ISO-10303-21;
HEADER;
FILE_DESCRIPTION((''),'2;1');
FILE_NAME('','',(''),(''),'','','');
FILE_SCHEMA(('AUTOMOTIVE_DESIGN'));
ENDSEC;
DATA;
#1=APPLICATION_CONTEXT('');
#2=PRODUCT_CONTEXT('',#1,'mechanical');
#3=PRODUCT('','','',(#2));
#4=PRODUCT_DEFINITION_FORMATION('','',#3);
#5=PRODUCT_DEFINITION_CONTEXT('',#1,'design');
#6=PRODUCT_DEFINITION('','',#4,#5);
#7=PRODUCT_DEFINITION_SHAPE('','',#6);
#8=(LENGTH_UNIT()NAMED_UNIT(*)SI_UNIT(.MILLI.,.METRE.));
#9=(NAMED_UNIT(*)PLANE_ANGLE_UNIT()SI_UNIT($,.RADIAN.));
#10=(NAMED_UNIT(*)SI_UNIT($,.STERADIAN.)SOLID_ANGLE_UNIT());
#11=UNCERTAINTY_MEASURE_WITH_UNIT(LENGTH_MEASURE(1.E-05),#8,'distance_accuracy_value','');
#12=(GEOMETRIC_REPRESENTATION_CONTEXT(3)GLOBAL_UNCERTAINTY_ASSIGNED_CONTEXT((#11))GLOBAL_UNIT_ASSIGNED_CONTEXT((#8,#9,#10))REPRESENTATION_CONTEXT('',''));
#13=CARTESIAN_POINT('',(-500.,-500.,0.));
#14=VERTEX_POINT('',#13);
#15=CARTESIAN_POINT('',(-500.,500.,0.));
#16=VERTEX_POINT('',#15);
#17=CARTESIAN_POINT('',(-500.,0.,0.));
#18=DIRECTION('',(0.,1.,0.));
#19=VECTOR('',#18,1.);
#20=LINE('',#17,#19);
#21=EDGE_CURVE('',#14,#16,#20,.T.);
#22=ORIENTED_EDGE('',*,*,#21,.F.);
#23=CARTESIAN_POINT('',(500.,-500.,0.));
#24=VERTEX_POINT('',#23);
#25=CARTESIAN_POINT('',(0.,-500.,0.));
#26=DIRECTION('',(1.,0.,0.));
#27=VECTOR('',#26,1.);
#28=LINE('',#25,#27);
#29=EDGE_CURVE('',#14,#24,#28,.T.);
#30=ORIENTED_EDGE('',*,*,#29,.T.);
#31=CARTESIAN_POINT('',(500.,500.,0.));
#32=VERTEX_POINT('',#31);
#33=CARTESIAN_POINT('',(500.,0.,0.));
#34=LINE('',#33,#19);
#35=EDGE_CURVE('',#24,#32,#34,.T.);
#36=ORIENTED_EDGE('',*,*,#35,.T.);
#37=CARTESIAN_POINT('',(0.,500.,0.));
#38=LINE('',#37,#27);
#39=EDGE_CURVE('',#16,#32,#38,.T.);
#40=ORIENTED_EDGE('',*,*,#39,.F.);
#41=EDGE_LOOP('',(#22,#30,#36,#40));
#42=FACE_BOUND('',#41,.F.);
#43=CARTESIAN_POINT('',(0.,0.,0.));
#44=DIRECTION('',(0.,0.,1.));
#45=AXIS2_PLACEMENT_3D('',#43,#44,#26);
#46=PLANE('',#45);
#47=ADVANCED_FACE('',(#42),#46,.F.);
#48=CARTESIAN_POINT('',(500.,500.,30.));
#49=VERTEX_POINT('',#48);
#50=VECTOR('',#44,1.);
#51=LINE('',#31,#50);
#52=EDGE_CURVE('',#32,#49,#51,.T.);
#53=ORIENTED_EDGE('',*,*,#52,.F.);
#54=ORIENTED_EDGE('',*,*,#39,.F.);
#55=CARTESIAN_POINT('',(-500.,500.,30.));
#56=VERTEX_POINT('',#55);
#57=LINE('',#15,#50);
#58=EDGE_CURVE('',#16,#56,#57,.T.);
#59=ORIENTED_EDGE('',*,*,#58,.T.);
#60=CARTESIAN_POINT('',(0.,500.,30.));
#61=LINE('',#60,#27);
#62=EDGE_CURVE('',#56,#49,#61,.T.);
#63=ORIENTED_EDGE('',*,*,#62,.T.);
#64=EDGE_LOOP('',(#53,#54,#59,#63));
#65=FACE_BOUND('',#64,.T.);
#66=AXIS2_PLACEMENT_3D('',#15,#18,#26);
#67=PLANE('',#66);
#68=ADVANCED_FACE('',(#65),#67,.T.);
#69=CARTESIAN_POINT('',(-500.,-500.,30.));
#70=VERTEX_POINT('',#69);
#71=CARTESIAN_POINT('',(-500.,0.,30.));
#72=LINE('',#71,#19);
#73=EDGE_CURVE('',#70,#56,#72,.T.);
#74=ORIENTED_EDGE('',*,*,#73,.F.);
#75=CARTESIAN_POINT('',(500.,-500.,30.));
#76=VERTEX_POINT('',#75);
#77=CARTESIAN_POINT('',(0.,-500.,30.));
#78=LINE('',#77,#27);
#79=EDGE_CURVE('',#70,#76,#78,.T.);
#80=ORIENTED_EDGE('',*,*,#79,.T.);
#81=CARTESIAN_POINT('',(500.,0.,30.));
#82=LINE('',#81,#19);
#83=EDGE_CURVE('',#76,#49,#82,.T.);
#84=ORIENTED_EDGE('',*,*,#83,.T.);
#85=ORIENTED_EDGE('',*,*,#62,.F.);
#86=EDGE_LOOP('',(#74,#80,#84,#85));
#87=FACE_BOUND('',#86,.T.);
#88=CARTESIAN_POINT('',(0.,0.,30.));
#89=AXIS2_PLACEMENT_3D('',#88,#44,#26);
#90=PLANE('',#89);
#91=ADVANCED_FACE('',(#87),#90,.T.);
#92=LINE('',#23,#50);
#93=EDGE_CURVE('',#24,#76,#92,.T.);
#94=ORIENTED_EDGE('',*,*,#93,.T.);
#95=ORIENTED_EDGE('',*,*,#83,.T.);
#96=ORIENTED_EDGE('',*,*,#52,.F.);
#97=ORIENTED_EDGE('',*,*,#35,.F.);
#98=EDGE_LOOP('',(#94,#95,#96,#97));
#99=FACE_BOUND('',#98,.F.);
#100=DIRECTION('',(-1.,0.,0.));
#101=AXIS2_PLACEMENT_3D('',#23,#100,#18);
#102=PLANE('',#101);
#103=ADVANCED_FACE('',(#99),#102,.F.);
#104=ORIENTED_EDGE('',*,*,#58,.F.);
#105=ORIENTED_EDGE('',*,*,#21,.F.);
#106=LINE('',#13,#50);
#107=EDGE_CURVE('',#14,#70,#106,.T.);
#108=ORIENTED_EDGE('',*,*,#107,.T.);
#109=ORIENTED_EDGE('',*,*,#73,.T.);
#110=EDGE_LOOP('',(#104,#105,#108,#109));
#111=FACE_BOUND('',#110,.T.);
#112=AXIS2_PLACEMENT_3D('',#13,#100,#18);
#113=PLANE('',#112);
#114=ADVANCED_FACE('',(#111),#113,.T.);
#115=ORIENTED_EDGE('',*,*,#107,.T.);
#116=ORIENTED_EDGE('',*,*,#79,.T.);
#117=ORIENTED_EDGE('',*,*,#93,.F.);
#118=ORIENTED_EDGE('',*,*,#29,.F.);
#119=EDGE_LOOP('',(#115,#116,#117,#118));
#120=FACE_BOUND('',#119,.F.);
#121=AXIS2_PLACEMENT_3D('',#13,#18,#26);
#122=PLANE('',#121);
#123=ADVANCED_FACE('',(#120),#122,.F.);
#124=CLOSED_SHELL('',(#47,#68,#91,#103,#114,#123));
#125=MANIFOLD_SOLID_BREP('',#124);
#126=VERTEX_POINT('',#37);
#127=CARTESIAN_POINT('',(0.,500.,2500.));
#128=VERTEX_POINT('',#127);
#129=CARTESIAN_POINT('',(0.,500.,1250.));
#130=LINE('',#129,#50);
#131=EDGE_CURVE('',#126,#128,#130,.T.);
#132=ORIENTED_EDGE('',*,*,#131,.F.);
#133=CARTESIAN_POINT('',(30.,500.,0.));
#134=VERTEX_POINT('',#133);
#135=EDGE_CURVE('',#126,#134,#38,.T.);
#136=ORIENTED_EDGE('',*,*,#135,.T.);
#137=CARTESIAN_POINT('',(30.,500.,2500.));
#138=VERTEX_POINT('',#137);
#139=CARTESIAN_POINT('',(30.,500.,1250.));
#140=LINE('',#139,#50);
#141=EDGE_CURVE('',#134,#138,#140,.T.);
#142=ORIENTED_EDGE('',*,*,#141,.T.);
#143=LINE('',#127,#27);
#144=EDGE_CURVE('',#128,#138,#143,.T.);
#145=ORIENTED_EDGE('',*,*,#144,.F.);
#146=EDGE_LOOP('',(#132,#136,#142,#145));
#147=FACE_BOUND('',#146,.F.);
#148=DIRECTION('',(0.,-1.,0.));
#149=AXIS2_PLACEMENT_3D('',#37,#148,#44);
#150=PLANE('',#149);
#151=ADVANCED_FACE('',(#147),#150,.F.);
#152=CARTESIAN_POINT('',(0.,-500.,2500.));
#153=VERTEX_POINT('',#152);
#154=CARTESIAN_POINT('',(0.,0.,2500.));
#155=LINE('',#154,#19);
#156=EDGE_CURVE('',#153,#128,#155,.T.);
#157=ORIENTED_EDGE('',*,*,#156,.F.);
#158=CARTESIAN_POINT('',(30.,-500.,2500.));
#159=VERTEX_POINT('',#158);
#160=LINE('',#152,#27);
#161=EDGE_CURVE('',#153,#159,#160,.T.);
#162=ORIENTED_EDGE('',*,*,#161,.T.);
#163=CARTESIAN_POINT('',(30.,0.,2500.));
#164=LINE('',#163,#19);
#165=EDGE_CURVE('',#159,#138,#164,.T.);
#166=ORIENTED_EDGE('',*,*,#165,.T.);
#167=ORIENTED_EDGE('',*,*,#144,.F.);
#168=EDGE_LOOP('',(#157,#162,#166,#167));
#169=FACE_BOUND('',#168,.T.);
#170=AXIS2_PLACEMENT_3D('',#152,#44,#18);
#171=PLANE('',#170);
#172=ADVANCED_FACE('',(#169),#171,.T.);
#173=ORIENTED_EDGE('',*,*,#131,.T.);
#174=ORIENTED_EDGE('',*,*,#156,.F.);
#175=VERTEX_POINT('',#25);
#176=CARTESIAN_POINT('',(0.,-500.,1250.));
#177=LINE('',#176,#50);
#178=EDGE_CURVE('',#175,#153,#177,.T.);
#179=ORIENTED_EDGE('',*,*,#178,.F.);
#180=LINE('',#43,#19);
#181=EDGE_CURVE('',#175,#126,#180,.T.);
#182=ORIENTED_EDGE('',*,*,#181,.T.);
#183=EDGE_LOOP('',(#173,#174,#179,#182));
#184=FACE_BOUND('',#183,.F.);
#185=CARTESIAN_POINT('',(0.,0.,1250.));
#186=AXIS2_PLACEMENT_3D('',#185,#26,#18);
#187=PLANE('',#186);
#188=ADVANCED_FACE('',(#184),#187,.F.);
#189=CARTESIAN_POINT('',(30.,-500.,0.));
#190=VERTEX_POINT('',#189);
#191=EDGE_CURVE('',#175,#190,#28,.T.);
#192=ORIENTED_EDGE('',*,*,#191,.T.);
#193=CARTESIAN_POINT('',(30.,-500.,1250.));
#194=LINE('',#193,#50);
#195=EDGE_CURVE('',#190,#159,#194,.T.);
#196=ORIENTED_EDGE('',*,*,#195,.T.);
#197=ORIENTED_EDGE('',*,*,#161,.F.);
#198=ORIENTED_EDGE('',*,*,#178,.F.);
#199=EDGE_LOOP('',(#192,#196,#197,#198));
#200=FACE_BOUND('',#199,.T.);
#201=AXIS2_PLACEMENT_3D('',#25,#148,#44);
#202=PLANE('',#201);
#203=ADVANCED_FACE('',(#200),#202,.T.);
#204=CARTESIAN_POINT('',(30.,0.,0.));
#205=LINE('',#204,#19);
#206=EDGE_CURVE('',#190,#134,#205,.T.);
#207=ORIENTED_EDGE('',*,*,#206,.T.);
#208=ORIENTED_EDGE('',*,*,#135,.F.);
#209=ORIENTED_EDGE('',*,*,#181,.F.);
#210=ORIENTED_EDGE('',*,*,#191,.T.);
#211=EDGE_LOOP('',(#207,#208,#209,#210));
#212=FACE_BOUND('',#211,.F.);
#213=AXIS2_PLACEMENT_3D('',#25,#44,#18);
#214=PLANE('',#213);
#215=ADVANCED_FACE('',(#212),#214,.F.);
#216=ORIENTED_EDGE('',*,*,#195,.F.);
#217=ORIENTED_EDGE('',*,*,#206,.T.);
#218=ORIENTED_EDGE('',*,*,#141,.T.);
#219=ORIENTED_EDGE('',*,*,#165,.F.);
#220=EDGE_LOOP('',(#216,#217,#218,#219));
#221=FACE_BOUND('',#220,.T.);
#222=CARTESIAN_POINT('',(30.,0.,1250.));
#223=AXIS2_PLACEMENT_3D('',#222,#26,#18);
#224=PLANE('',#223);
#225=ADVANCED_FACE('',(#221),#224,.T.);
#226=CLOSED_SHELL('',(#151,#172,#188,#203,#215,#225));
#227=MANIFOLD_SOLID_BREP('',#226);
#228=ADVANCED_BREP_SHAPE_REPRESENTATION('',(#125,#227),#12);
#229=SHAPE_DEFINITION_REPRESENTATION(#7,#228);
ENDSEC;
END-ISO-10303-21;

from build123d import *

# Parameters (mm, degrees)
SKETCH001_W  = 1000
SKETCH001_H  = 2500
PAD_DEPTH    = 30
SKETCH002_W  = 1000
SKETCH002_H  = 1000
PAD001_DEPTH = 30


with BuildPart() as sidebody:
    # Sketch001 → Pad (new body)
    with BuildSketch(Plane.YZ):
        with Locations((0, 1250)):
            Rectangle(SKETCH001_W, SKETCH001_H)
    extrude(amount=PAD_DEPTH)


with BuildPart() as shelfbody:
    # Sketch002 → Pad001 (new body)
    with BuildSketch(Plane.XY):
        Rectangle(SKETCH002_W, SKETCH002_H)
    extrude(amount=PAD001_DEPTH)


solid = Compound([sidebody.part, shelfbody.part])
